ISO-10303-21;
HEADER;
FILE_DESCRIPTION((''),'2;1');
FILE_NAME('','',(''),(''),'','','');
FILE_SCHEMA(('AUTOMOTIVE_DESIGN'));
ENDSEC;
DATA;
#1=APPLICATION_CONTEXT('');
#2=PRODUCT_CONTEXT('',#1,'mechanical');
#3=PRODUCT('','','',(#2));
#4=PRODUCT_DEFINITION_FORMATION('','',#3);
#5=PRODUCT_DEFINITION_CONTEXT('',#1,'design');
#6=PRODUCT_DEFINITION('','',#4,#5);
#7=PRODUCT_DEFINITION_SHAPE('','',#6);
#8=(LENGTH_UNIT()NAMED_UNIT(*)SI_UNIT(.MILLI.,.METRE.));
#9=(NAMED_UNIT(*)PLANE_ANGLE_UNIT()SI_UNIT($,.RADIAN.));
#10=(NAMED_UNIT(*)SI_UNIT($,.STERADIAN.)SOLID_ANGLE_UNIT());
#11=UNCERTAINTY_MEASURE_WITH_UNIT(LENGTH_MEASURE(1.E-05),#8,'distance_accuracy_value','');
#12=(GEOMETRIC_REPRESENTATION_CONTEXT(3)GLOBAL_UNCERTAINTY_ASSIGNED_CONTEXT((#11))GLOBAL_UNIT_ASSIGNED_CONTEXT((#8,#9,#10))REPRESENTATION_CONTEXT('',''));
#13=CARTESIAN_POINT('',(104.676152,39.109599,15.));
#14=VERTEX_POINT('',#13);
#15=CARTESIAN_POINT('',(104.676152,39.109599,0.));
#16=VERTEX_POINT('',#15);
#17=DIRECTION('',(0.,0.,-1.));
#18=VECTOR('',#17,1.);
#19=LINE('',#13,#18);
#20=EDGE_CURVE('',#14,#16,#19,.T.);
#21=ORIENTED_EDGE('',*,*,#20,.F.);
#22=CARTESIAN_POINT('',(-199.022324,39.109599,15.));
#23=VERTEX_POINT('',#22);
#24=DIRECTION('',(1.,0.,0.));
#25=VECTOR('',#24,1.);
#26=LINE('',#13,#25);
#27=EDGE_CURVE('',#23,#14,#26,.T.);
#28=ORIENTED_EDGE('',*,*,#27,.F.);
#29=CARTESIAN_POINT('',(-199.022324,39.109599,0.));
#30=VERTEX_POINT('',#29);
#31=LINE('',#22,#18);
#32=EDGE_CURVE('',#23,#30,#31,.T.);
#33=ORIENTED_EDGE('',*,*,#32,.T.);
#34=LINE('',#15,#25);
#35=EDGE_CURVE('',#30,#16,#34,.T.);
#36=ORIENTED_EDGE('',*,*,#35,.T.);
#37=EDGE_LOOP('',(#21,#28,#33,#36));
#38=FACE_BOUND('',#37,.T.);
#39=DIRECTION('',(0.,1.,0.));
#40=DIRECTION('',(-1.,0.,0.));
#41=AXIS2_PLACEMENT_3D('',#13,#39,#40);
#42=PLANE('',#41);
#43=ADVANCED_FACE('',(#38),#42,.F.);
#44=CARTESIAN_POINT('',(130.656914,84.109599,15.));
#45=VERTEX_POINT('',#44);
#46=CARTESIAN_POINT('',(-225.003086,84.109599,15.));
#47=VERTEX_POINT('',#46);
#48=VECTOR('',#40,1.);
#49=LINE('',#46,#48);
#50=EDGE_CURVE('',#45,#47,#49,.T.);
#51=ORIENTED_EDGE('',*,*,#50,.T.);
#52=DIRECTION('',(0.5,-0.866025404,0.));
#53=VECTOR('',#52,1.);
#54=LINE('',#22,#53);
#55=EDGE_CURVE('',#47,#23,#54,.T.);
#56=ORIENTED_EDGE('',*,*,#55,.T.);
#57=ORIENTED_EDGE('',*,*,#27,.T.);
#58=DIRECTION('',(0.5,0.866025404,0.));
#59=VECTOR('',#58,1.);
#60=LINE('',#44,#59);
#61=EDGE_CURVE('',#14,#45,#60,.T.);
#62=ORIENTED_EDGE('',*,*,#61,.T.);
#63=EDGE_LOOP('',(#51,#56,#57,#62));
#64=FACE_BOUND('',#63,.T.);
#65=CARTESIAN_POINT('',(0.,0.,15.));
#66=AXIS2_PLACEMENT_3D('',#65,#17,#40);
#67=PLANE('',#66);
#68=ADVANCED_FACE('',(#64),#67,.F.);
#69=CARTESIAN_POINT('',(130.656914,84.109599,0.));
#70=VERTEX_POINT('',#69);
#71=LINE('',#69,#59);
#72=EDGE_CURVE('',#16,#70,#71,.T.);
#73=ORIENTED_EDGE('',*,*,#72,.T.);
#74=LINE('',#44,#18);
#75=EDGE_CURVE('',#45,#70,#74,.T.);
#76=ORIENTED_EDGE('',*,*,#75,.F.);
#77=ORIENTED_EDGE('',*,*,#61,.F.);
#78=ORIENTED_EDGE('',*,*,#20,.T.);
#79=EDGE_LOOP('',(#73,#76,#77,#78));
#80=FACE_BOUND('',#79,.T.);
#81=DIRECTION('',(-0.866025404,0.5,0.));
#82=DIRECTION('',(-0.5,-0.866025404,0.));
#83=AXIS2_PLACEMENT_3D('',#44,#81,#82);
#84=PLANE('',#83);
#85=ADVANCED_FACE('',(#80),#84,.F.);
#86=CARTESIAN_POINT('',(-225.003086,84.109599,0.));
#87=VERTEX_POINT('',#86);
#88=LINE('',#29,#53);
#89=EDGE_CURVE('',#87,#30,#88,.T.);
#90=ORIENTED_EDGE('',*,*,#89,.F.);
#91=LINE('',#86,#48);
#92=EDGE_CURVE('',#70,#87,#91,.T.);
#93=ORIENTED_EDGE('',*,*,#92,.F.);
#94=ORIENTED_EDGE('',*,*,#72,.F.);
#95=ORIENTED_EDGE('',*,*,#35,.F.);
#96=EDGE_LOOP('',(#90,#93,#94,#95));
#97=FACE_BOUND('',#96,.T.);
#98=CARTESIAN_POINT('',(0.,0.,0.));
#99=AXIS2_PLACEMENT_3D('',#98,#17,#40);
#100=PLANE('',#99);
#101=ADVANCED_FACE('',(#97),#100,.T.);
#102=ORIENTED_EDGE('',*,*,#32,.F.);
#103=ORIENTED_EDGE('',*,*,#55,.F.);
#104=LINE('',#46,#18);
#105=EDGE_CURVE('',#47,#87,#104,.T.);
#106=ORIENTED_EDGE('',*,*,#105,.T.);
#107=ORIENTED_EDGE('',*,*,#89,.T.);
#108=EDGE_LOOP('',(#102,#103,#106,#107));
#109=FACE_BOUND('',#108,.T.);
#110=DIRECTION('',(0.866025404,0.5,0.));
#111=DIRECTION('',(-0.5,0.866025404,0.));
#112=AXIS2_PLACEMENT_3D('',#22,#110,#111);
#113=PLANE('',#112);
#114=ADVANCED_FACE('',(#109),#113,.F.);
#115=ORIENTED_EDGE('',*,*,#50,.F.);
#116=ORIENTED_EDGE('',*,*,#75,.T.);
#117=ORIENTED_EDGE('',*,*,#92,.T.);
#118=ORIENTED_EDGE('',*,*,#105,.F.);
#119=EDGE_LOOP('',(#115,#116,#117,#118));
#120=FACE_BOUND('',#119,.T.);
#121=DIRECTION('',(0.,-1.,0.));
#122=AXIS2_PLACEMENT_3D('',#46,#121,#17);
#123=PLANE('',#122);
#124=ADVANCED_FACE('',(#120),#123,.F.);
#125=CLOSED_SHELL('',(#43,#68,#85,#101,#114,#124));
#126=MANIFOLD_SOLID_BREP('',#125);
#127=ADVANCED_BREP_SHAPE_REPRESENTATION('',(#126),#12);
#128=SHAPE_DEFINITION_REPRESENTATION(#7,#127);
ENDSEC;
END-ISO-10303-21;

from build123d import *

# Parameters (mm, degrees)
BOSS_EXTRU_1_DEPTH = 15


with BuildPart() as part:
    # Esquisse1 → Boss.-Extru.1 (new body)
    with BuildSketch(Plane.XY):
        Polygon((-225.003085821, 84.109598527), (130.656914179, 84.109598527), (104.676152066, 39.109598527), (-199.022323707, 39.109598527), align=None)
    extrude(amount=BOSS_EXTRU_1_DEPTH)


solid = part.part
